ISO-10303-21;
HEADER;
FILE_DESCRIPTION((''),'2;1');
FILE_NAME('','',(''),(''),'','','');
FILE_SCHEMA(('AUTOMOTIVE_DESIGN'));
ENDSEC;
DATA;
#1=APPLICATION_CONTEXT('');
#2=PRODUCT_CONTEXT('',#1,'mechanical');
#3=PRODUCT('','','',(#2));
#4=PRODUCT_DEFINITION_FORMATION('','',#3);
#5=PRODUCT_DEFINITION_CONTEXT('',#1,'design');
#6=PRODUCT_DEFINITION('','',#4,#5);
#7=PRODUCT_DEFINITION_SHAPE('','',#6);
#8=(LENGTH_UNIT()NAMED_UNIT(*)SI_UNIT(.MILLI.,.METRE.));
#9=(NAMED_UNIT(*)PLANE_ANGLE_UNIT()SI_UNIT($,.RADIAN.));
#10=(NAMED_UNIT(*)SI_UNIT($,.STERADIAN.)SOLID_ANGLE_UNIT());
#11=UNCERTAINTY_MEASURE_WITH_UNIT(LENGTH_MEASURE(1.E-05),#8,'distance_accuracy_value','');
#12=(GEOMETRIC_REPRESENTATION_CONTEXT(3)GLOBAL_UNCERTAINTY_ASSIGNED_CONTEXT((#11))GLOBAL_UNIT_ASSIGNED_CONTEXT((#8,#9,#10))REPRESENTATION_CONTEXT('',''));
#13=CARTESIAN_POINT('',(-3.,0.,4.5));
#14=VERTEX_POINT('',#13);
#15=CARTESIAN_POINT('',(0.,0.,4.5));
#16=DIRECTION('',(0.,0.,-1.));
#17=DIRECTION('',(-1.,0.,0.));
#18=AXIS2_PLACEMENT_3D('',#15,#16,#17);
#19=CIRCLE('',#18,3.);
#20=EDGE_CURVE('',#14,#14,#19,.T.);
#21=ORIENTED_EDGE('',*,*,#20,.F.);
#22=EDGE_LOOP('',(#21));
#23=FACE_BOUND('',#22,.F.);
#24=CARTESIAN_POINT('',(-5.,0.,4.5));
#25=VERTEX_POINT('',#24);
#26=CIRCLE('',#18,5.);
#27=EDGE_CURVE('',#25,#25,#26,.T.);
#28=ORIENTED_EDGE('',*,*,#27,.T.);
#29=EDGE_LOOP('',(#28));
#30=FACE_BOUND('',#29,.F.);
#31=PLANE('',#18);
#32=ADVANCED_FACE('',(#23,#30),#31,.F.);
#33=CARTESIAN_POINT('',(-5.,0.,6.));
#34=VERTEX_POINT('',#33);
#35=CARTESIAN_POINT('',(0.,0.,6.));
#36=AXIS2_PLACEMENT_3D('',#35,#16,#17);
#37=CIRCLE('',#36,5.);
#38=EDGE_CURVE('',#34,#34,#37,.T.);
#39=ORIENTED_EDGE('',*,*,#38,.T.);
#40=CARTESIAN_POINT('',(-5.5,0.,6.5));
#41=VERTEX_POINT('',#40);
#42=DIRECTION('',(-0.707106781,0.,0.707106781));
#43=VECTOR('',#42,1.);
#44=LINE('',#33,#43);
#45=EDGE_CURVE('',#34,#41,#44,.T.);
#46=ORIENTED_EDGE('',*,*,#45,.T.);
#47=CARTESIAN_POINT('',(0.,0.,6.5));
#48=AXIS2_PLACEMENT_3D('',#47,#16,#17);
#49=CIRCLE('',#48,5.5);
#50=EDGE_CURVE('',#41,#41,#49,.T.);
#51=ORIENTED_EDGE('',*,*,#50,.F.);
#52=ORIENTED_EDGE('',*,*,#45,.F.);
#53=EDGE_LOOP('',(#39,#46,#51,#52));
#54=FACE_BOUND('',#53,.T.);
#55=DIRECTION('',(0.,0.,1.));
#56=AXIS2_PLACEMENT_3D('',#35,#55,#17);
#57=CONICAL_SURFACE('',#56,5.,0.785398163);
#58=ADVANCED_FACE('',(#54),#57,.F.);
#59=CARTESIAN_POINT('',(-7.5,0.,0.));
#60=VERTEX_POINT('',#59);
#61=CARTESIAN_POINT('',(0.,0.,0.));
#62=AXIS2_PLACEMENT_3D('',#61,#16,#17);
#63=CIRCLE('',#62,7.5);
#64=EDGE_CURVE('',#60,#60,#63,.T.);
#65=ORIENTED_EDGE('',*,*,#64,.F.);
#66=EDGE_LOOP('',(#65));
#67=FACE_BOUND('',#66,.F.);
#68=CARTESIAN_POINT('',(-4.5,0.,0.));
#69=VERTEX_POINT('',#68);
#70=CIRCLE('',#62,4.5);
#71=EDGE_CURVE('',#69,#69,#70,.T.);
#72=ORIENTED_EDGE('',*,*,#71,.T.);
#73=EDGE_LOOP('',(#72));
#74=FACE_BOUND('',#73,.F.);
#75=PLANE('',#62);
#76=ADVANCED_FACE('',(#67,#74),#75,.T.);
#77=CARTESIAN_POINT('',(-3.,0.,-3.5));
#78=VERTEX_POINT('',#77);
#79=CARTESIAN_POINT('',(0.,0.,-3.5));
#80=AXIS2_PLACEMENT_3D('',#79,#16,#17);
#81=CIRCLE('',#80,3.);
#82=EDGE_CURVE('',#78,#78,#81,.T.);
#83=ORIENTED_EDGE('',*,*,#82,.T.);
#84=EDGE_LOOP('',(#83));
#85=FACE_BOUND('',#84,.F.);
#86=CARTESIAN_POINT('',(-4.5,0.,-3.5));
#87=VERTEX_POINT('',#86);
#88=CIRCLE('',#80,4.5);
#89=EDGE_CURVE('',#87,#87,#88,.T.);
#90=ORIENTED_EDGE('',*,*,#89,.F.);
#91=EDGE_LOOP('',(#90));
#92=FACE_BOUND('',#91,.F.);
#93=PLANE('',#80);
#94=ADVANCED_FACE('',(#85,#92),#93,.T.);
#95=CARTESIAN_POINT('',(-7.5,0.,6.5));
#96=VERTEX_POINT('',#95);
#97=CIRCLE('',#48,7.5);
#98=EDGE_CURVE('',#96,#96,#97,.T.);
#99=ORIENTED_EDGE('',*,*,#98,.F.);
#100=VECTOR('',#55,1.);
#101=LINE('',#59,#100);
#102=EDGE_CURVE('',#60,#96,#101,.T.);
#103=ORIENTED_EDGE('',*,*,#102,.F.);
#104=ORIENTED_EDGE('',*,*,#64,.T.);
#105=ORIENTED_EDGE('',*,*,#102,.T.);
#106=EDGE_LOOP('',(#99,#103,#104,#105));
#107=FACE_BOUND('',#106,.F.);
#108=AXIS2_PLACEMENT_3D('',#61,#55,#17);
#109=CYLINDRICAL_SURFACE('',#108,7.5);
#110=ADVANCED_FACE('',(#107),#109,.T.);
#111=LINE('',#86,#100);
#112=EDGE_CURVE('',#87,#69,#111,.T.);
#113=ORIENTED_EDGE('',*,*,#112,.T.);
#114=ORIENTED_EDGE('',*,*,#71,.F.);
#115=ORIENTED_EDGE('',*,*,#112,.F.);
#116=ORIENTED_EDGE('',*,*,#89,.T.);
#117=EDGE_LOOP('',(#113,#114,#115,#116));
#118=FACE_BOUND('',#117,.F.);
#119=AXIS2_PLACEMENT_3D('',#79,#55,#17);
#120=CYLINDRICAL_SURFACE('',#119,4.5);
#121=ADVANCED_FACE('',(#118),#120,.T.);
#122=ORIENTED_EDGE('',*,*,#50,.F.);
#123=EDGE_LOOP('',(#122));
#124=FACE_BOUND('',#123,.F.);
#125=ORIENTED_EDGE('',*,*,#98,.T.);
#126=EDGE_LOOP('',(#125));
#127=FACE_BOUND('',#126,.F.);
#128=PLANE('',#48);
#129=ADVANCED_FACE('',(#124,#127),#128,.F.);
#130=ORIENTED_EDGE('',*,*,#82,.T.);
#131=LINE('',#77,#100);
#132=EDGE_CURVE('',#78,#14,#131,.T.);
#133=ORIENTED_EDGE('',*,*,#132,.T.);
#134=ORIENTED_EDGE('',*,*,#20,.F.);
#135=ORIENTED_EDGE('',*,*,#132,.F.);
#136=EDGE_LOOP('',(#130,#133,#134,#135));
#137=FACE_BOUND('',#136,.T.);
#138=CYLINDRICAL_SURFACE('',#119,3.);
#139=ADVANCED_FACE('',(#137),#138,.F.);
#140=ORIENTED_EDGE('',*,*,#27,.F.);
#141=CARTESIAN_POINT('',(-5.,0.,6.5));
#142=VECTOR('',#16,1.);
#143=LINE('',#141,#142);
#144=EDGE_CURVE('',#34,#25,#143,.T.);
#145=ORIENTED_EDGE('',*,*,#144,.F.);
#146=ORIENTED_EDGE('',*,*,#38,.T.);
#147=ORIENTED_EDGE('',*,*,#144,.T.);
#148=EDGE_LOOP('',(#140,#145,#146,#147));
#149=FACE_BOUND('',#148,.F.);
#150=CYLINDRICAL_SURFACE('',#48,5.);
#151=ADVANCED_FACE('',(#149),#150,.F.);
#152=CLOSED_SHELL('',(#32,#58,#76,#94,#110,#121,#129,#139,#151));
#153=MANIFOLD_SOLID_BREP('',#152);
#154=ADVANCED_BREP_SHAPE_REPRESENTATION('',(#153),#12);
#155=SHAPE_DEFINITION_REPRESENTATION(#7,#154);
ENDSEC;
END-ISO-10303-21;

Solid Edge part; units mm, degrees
sketch "Sketch1" plane through (0, 0, 0) normal (0, -1, 0) x (1, 0, 0)
  line L0 (-3, -3.5) -> (-3, 4.5)
  line L1 (-5, 4.5) -> (-3, 4.5)
  line L2 (-5, 6.5) -> (-5, 4.5)
  line L3 (-7.5, 6.5) -> (-5, 6.5)
  line L4 (-7.5, 0) -> (-7.5, 6.5)
  line L5 (-4.5, 0) -> (-7.5, 0)
  line L6 (-4.5, -3.5) -> (-4.5, 0)
  line L7 (-3, -3.5) -> (-4.5, -3.5)
revolve "RevolvedProtrusion1" add sketch "Sketch1" angle 360 about axis through (0, 0, 54) along (0, 0, -1)
chamfer "Chamfer1" distance 0.5 angle 45 1 edges at (5, 0, 6.5)
properties material "Stahl 304, rostfrei"
